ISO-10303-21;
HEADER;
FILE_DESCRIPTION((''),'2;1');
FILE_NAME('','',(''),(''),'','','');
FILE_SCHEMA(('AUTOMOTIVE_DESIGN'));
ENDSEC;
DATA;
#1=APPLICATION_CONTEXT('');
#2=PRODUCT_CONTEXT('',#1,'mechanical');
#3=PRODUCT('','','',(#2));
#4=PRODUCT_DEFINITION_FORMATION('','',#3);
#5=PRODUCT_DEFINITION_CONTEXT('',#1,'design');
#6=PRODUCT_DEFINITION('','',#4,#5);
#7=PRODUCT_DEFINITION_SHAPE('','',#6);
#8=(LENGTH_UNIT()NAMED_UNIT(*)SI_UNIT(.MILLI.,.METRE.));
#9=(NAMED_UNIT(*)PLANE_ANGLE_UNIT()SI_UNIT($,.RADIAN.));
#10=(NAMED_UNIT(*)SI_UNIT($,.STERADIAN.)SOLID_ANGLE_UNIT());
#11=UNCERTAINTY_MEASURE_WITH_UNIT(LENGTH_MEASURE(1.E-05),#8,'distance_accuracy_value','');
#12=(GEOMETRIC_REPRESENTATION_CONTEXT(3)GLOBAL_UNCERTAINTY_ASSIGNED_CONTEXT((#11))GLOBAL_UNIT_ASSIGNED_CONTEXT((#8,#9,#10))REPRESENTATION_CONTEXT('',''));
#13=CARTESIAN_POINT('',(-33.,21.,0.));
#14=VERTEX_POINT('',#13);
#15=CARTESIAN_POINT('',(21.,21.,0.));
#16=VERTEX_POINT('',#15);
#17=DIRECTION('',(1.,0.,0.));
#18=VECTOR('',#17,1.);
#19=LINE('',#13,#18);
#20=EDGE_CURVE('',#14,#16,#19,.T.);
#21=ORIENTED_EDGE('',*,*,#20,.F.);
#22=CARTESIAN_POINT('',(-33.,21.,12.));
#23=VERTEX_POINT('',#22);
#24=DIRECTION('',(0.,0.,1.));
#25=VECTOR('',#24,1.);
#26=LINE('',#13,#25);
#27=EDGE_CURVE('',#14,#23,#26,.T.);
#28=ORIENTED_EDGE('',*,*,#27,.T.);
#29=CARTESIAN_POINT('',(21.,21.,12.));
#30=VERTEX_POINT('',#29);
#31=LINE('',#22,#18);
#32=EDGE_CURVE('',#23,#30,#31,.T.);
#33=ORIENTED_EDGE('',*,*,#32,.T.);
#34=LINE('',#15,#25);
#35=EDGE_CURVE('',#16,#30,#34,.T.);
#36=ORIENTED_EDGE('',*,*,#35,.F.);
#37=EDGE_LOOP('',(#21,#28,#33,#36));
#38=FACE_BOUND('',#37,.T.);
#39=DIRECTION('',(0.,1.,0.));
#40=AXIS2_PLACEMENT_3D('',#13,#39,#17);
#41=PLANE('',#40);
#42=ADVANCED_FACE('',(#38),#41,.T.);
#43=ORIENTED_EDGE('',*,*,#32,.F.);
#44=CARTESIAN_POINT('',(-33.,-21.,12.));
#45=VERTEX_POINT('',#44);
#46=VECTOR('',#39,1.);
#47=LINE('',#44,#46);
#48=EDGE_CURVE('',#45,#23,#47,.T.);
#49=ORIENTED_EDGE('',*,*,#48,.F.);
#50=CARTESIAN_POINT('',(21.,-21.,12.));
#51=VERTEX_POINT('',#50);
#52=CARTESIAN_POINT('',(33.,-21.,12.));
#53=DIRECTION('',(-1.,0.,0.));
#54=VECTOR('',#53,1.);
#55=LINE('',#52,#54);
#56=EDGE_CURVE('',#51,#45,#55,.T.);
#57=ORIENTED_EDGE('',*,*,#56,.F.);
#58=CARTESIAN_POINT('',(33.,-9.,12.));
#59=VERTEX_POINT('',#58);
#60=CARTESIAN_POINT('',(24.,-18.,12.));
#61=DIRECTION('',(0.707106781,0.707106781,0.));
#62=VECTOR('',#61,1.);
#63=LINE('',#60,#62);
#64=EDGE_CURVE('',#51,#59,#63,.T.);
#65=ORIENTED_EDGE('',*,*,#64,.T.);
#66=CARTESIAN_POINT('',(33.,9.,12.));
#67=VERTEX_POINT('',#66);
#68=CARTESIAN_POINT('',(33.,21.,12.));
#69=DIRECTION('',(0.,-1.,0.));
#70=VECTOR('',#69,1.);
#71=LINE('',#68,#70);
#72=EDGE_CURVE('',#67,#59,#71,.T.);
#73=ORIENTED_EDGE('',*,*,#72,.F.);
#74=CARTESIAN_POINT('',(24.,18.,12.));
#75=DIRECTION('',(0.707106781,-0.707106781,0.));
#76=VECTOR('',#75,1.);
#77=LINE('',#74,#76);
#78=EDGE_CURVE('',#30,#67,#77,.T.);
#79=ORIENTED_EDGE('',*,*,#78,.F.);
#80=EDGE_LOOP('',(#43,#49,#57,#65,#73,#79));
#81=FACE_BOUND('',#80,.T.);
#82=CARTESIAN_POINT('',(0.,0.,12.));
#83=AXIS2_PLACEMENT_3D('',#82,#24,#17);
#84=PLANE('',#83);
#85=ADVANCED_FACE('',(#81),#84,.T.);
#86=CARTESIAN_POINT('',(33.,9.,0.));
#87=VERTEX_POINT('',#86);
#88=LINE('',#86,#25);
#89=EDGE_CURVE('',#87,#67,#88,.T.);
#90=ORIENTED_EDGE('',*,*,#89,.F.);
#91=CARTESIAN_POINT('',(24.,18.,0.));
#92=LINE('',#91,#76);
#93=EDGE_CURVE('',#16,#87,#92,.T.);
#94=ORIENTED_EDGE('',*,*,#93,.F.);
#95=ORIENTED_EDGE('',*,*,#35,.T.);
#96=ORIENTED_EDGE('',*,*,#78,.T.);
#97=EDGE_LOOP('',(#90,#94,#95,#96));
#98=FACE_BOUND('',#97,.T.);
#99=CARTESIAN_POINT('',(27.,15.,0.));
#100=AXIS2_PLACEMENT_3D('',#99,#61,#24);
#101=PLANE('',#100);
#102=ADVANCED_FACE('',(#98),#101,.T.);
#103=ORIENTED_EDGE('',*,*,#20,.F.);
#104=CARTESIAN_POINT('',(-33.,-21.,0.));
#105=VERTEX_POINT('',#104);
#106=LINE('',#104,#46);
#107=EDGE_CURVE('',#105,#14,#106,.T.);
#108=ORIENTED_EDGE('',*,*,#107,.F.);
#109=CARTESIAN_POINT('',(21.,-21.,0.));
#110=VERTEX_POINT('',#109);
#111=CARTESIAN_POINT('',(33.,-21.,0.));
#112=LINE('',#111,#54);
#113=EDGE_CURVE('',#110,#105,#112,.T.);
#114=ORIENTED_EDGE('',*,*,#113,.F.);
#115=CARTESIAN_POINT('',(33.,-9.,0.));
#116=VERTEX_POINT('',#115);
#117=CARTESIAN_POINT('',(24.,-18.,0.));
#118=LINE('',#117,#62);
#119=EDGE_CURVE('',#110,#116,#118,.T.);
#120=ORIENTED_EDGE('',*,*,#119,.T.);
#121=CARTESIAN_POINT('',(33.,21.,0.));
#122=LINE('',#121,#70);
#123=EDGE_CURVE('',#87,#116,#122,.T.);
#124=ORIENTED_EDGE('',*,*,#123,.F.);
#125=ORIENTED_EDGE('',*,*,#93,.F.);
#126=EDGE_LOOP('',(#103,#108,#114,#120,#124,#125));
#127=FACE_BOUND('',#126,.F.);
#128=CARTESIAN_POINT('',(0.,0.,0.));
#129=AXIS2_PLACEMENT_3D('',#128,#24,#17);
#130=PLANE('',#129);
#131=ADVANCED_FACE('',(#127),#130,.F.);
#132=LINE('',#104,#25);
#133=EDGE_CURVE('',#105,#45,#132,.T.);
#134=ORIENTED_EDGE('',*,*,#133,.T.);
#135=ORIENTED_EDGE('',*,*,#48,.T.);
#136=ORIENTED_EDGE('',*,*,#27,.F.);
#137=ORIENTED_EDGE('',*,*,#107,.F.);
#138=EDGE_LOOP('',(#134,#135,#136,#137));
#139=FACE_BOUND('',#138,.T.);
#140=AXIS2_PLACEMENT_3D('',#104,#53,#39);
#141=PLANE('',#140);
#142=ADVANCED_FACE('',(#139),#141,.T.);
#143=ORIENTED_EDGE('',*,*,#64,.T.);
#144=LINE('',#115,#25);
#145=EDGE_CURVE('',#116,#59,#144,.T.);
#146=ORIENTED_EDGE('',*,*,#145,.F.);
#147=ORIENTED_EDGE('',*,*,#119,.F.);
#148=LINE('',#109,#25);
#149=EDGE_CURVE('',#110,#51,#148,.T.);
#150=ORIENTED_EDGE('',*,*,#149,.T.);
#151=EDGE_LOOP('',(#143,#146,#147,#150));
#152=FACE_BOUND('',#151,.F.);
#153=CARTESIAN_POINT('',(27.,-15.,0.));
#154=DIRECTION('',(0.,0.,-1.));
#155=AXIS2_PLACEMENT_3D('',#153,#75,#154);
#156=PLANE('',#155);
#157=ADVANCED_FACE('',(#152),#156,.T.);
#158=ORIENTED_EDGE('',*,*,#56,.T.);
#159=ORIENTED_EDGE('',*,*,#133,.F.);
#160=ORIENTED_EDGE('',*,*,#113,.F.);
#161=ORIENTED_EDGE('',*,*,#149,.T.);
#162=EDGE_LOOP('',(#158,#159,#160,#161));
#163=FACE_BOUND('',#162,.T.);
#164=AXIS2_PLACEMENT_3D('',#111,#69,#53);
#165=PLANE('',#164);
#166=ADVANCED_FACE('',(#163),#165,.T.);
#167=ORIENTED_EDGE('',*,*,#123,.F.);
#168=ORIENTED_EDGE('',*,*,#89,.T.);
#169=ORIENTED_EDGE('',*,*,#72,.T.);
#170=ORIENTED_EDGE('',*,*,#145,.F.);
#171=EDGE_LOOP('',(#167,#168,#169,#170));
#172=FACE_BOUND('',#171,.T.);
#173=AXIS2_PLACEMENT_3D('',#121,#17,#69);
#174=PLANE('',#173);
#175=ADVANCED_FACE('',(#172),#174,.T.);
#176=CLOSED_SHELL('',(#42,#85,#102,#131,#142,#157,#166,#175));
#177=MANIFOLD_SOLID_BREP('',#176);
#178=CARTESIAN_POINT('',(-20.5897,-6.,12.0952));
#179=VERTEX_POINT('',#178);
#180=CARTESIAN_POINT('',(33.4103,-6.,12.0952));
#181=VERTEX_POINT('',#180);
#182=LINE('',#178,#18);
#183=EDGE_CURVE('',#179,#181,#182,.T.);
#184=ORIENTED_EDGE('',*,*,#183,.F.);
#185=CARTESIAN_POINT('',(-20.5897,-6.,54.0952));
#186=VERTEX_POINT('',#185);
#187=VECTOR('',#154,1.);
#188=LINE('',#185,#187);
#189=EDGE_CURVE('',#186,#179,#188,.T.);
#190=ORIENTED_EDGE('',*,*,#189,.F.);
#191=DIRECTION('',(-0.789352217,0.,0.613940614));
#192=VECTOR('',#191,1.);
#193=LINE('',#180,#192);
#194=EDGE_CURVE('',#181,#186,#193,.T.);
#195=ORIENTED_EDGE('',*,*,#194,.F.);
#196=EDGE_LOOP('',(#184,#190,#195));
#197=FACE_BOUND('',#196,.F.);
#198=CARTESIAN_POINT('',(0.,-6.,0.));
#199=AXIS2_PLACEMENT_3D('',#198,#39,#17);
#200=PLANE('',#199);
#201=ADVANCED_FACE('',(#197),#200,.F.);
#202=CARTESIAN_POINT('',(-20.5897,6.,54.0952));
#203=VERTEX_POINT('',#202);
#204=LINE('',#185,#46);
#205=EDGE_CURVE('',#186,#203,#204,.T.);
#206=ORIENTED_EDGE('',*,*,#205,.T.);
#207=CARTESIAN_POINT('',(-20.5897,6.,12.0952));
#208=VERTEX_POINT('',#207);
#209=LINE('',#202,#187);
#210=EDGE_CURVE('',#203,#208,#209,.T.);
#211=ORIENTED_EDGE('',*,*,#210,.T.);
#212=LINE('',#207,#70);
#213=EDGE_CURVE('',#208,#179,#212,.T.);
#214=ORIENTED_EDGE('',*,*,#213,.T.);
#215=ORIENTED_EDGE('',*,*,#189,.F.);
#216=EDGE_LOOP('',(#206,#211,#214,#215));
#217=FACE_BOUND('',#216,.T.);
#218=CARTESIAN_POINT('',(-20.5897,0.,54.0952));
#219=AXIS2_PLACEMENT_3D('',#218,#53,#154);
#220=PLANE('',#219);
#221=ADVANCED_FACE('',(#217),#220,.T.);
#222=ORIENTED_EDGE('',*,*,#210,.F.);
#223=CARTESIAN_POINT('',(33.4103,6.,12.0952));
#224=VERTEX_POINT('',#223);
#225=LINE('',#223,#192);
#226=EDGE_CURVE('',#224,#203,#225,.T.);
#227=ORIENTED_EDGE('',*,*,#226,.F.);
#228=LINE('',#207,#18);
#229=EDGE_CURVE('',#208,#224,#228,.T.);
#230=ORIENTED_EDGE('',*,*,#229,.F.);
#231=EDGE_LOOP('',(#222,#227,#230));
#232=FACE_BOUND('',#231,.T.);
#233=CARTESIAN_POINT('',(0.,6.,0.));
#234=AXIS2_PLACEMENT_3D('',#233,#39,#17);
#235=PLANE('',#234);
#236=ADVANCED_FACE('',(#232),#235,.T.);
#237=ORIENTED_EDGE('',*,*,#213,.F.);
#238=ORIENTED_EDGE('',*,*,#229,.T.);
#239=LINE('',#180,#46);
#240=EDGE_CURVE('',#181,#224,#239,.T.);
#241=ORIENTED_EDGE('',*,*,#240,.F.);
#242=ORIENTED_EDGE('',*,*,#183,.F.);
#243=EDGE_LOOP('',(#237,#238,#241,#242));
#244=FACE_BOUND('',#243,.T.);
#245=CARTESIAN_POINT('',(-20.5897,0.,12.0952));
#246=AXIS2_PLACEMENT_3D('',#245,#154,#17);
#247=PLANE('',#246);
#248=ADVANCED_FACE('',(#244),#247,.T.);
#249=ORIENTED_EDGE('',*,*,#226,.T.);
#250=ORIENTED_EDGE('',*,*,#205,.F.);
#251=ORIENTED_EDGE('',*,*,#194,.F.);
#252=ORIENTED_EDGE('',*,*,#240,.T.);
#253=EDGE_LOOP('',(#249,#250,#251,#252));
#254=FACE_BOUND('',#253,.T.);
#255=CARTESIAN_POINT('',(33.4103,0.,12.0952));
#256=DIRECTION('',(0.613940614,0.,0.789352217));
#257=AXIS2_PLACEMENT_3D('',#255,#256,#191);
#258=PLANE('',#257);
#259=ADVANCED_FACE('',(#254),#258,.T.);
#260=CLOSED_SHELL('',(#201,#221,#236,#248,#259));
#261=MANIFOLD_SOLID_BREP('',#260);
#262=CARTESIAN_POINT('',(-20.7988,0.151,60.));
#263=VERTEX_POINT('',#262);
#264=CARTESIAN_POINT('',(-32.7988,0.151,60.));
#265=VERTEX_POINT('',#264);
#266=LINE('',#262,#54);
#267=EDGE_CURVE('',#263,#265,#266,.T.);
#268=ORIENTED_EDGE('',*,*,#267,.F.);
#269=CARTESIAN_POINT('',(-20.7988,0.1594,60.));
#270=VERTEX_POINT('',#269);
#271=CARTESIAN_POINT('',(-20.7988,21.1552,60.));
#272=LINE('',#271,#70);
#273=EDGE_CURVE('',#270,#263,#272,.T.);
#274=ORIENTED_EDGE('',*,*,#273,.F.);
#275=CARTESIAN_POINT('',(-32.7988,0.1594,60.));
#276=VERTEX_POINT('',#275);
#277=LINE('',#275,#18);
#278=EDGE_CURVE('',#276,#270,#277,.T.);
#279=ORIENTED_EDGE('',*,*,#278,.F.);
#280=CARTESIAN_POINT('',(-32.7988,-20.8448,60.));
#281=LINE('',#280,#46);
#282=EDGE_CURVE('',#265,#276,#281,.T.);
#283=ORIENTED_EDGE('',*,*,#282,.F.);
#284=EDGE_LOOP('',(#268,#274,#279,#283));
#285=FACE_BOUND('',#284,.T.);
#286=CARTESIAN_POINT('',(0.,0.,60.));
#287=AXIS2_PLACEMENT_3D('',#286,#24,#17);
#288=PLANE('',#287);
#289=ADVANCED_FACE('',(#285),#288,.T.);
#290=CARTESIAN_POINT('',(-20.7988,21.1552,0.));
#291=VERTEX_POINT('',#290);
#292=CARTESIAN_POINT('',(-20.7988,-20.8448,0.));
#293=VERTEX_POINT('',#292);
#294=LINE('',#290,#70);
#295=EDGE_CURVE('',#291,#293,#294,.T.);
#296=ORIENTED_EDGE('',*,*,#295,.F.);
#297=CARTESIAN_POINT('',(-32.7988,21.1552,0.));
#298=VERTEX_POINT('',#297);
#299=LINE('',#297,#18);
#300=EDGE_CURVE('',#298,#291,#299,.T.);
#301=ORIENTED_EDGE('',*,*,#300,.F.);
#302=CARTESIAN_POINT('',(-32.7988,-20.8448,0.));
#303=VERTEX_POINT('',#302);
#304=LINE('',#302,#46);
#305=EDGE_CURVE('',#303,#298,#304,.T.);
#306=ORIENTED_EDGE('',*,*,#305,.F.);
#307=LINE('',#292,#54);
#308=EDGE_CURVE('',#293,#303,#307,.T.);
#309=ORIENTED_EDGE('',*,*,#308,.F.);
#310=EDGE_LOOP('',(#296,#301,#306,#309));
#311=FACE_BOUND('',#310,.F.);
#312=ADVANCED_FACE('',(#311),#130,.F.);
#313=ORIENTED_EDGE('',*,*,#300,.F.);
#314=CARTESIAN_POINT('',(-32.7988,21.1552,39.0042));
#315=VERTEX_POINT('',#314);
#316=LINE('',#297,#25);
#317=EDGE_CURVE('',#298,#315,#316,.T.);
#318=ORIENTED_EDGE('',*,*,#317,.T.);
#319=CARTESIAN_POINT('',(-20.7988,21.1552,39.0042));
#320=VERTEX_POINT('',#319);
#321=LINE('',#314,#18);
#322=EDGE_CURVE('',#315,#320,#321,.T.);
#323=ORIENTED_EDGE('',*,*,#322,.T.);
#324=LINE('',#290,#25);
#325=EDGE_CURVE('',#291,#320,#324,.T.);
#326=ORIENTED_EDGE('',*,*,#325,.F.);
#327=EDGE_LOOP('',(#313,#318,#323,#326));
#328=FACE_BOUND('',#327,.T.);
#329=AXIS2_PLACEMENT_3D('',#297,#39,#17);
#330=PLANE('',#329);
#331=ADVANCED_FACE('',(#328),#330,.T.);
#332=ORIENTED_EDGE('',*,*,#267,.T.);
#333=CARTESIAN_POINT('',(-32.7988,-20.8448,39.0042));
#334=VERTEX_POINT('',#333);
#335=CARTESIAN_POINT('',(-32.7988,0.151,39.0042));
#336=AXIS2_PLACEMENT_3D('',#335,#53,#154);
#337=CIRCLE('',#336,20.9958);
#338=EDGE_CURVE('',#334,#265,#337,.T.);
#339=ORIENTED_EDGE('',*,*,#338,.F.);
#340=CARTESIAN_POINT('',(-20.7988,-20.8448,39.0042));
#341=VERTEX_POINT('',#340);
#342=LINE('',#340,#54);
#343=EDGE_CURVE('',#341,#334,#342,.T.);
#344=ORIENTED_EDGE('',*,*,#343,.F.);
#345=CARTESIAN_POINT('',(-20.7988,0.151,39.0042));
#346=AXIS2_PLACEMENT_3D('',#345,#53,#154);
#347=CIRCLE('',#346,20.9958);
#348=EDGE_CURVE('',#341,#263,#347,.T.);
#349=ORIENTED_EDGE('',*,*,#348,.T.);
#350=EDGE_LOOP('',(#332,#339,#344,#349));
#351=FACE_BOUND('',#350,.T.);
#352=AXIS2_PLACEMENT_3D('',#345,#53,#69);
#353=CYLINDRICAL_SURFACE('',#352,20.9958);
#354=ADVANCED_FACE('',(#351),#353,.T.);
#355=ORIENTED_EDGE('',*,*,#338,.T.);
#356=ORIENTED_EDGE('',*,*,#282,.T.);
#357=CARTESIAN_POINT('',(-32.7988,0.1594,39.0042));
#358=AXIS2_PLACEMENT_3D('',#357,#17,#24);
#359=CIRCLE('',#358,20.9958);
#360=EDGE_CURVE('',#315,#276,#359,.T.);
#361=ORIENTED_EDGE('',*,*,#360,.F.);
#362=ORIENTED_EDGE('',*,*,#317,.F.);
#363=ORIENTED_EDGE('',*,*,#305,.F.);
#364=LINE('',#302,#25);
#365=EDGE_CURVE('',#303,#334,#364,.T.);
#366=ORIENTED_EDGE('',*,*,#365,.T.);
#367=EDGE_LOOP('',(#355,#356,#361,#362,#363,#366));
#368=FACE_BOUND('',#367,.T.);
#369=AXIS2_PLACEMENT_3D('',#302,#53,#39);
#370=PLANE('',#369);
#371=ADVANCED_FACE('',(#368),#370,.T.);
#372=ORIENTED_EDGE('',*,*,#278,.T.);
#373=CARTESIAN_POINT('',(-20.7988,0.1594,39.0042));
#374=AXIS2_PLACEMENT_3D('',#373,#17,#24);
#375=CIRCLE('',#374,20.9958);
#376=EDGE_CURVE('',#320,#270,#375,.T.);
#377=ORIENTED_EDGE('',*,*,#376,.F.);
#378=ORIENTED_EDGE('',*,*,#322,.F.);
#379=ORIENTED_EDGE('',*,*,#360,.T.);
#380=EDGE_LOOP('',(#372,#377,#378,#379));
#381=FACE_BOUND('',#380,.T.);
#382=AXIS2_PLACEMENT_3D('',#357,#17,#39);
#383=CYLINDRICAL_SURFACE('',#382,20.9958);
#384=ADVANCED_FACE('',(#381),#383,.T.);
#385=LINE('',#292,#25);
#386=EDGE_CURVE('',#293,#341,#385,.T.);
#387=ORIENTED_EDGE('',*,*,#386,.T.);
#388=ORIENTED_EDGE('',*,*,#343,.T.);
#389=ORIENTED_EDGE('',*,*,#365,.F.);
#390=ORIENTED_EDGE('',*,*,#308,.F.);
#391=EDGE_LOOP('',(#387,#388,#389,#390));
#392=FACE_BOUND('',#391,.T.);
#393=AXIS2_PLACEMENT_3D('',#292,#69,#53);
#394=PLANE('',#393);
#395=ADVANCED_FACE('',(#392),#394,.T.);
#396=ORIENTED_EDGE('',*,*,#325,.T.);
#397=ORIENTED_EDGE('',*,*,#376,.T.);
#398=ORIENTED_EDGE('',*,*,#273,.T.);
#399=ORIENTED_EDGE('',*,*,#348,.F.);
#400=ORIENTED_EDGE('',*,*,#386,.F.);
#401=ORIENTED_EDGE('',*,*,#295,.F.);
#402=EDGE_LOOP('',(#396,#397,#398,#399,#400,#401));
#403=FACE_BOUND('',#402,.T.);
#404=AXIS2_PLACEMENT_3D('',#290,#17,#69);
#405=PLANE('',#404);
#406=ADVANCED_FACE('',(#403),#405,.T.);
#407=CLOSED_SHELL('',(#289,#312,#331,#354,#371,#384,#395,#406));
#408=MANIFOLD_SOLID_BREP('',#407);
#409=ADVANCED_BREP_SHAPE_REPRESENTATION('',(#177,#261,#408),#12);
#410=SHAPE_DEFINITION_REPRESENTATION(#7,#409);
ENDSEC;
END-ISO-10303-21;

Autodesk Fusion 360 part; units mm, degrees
sketch "Sketch1" plane through (0, 0, 0) normal (0, 0, 1) x (1, 0, 0)
  line L0 (33, -21) -> (-33, -21)
  line L1 (-33, -21) -> (-33, 21)
  line L2 (-33, 21) -> (33, 21)
  line L3 (33, 21) -> (33, -21)
  line L4 (33, -21) -> (-33, 21) construction
  line L5 (-33, -21) -> (33, 21) construction
  dimension "d1" = 66
  dimension "d2" = 42
extrude "Extrude1" add sketch "Sketch1" along normal blind 12 makes body 1
chamfer "Chamfer1" distance 12 angle 45 2 edges at (33, -21, 6) (33, 21, 6) on bodies 1
sketch "Sketch2" plane through (0, 0, 0) normal (0, 0, 1) x (1, 0, 0)
  line L0 (-32.7988, 21.1552) -> (-20.7988, 21.1552)
  line L1 (-20.7988, 21.1552) -> (-20.7988, -20.8448)
  line L2 (-20.7988, -20.8448) -> (-32.7988, -20.8448)
  line L3 (-32.7988, -20.8448) -> (-32.7988, 21.1552)
  dimension "d6" = 12
  dimension "d7" = 42
extrude "Extrude2" add sketch "Sketch2" along normal blind 60 separate body makes body 2
fillet "Fillet1" radius 21 2 edges at (-26.7988, -20.8448, 60) (-26.7988, 21.1552, 60) on bodies 2
sketch "Sketch3" plane through (0, 0, 0) normal (0, 1, 0) x (1, 0, 0)
  line L0 (-20.5897, -54.0952) -> (-20.5897, -12.0952)
  line L1 (-20.5897, -12.0952) -> (33.4103, -12.0952)
  line L2 (33.4103, -12.0952) -> (-20.5897, -54.0952)
  dimension "d11" = 42
  dimension "d12" = 54
extrude "Extrude3" add sketch "Sketch3" along normal mid plane 12 separate body makes body 3
